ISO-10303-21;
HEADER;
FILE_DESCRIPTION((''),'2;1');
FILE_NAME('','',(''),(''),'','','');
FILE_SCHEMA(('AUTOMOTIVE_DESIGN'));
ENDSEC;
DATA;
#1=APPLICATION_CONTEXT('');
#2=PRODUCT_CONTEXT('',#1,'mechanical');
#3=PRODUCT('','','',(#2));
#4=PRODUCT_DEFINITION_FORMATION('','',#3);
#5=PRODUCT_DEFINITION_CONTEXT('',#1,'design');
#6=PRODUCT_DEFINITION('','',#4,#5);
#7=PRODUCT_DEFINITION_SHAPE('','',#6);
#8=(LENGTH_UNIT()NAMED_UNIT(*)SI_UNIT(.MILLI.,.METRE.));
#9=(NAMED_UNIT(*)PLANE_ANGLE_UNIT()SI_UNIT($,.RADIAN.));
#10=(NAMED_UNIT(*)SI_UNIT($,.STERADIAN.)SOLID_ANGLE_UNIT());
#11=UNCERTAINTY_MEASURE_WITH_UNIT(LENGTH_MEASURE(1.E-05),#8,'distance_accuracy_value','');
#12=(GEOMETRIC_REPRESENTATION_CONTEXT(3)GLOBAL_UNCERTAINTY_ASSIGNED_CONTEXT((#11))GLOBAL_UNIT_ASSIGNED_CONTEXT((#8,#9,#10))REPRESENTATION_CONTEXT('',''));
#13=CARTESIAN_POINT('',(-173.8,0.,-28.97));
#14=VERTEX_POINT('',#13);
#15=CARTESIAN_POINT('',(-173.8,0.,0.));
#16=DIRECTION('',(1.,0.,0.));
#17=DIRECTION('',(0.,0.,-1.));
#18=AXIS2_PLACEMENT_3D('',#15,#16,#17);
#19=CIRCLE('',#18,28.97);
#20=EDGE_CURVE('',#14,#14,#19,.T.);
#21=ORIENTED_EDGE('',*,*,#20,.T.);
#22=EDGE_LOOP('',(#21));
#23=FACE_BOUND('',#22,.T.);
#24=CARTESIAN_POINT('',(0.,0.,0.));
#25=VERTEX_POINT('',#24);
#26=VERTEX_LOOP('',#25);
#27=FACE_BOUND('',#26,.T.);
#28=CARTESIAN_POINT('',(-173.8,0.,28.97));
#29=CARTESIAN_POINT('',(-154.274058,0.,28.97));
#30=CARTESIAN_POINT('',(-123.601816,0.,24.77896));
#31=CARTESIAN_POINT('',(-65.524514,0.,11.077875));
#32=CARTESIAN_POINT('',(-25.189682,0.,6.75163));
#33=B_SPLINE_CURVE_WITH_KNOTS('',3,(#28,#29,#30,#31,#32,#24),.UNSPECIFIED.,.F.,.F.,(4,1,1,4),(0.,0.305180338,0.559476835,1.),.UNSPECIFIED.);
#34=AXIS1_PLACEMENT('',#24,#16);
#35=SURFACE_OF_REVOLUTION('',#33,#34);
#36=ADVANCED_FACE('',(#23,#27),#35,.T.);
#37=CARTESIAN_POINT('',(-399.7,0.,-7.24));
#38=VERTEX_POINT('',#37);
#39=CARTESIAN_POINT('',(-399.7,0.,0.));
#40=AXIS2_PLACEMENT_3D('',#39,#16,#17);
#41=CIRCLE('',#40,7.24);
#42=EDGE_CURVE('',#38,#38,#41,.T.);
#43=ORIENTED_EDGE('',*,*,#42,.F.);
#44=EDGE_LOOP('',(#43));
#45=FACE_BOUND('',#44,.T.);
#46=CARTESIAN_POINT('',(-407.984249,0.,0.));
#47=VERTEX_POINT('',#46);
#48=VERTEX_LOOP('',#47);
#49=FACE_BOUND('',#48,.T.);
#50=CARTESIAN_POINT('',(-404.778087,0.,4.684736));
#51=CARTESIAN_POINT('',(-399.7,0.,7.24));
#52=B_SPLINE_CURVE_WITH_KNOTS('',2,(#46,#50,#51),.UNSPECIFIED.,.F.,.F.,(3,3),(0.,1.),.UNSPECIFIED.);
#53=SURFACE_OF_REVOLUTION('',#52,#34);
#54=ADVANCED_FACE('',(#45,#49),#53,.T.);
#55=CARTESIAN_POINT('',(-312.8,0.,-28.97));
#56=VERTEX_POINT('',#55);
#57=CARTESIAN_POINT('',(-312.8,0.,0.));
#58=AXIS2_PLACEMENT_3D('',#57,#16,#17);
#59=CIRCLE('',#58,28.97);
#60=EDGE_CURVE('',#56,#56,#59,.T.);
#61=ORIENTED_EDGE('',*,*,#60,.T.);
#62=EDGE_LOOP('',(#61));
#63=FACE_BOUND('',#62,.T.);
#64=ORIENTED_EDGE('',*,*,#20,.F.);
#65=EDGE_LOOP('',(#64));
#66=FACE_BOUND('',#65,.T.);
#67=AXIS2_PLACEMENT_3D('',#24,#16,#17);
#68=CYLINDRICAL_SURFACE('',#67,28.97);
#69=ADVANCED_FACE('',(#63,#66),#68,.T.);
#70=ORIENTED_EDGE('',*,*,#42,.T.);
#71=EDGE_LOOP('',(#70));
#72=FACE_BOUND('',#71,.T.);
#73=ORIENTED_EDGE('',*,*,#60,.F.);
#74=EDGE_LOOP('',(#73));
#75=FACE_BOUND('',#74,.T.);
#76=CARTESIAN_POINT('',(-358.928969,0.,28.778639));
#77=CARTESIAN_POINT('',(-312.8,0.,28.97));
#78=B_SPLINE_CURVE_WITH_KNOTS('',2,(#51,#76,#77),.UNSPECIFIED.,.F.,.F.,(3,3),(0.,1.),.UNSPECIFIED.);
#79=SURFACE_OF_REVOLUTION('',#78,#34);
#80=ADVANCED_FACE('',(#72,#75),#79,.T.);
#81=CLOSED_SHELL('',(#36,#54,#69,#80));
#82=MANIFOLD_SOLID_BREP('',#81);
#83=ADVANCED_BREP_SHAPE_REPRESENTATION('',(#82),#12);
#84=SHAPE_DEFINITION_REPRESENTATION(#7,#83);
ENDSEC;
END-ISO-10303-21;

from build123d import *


with BuildPart() as part:
    # Schizzo6 → Rivoluzione1 (revolve)
    with BuildSketch(Plane(origin=(0, 0, 0), x_dir=(-1, 0, 0), z_dir=(0, 1, 0)), mode=Mode.PRIVATE) as rivoluzione1_sk:
        with BuildLine():
            Line((312.8, 28.97), (173.8, 28.97))
            add(Edge.make_bspline(
                [(0, 0), (25.189681618, 6.751630026), (65.524514327, 11.077875163), (123.601815916, 24.778959704), (154.27405796, 28.97), (173.8, 28.97)],
                knots=[0, 0, 0, 0, 0.440523165, 0.694819662, 1, 1, 1, 1], degree=3))
            Line((0, 0), (407.984249418, 0))
            add(Edge.make_bspline(
                [(399.7, 7.24), (404.778087213, 4.684735831), (407.984249418, 0)],
                knots=[0, 0, 0, 1, 1, 1], degree=2))
            add(Edge.make_bspline(
                [(312.8, 28.97), (358.928969374, 28.778638575), (399.7, 7.24)],
                knots=[0, 0, 0, 1, 1, 1], degree=2))
        make_face()
    revolve(rivoluzione1_sk.sketch.rotate(Axis((0, 0, 0), (-1, 0, 0)), 180), axis=Axis((0, 0, 0), (-1, 0, 0)))


solid = part.part
